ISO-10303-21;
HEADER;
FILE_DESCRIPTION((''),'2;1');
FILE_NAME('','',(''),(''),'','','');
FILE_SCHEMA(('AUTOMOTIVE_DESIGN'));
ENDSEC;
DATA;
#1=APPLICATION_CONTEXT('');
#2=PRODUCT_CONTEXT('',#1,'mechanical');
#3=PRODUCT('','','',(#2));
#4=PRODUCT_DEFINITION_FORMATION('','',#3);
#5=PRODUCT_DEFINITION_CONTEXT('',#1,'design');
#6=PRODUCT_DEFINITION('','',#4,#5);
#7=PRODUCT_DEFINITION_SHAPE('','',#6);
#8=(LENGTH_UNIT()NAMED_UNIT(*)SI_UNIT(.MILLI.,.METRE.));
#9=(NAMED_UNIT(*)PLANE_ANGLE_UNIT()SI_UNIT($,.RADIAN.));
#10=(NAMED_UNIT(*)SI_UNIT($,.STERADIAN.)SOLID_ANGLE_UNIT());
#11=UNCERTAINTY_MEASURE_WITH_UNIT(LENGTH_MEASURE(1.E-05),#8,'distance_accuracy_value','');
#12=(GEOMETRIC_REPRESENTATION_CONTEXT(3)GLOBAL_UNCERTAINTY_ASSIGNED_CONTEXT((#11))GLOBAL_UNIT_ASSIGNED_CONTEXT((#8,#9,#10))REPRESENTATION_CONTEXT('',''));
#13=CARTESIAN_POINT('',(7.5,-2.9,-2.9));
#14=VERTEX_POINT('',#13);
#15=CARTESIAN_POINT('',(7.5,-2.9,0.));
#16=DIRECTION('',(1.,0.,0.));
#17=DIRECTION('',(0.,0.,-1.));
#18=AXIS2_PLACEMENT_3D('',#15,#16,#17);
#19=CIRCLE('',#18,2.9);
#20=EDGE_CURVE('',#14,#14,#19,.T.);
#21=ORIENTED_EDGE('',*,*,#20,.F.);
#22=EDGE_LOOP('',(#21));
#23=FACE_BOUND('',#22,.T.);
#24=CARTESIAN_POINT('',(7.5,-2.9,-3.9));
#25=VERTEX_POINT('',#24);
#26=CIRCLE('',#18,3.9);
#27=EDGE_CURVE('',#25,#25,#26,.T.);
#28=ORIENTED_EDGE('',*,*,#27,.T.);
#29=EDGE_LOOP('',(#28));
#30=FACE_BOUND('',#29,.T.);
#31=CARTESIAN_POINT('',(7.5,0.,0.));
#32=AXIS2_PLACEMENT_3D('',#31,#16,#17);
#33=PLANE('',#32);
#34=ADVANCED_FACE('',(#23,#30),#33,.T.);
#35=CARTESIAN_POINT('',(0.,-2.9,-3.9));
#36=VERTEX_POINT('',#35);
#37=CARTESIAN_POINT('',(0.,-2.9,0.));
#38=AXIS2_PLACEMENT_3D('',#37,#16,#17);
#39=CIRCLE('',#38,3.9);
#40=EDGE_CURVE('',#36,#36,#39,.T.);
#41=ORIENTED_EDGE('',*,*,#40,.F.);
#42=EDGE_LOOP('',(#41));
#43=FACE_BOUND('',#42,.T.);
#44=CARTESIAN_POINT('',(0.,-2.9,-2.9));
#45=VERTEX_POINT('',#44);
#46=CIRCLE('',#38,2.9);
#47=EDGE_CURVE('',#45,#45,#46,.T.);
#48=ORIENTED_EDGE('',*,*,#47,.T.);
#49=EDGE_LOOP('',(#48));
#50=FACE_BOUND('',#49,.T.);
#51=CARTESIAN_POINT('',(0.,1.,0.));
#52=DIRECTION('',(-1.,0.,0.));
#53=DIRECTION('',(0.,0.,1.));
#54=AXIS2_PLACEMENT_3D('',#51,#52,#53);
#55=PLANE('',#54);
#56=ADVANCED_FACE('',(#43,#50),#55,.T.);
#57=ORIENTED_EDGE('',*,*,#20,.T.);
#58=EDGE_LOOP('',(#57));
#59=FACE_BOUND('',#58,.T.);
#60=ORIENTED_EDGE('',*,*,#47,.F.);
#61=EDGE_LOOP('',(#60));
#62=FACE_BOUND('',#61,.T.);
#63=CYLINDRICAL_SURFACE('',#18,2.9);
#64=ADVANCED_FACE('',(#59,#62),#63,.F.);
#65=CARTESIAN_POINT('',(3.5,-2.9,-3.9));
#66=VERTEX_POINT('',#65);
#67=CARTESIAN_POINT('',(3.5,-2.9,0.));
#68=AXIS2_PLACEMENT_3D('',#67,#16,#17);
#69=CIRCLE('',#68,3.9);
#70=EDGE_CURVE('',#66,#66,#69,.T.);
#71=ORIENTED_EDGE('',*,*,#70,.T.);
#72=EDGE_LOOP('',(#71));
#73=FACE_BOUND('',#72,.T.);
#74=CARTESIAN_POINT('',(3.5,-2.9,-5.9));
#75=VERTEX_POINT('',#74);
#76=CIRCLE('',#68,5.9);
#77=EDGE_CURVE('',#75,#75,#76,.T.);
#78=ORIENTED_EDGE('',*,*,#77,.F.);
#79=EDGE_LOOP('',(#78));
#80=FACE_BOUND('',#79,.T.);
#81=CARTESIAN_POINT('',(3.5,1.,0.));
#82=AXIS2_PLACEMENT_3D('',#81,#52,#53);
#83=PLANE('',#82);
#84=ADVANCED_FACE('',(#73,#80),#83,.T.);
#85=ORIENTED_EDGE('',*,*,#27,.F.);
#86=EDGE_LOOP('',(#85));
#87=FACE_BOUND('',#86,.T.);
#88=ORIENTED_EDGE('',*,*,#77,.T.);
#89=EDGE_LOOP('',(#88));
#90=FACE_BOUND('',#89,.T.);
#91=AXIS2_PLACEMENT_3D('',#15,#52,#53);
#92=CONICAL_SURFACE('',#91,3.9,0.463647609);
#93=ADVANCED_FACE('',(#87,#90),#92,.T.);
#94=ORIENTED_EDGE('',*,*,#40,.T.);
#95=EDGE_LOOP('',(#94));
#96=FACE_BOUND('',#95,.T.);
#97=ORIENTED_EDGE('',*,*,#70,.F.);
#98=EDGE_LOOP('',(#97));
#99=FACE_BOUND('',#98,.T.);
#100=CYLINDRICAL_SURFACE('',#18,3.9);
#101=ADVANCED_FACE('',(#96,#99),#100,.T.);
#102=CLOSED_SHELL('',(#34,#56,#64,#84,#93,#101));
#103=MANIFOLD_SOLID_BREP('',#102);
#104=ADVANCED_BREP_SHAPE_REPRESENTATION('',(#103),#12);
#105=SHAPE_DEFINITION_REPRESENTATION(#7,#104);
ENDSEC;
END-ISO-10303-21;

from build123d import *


with BuildPart() as part:
    # Sketch1 → Revolve2 (revolve)
    with BuildSketch(Plane.XY):
        Polygon((0, 0), (7.5, 0), (7.5, 1), (3.5, 3), (3.5, 1), (0, 1), align=None)
    revolve(axis=Axis((7.5, -2.9, 0), (-1, 0, 0)))


solid = part.part
